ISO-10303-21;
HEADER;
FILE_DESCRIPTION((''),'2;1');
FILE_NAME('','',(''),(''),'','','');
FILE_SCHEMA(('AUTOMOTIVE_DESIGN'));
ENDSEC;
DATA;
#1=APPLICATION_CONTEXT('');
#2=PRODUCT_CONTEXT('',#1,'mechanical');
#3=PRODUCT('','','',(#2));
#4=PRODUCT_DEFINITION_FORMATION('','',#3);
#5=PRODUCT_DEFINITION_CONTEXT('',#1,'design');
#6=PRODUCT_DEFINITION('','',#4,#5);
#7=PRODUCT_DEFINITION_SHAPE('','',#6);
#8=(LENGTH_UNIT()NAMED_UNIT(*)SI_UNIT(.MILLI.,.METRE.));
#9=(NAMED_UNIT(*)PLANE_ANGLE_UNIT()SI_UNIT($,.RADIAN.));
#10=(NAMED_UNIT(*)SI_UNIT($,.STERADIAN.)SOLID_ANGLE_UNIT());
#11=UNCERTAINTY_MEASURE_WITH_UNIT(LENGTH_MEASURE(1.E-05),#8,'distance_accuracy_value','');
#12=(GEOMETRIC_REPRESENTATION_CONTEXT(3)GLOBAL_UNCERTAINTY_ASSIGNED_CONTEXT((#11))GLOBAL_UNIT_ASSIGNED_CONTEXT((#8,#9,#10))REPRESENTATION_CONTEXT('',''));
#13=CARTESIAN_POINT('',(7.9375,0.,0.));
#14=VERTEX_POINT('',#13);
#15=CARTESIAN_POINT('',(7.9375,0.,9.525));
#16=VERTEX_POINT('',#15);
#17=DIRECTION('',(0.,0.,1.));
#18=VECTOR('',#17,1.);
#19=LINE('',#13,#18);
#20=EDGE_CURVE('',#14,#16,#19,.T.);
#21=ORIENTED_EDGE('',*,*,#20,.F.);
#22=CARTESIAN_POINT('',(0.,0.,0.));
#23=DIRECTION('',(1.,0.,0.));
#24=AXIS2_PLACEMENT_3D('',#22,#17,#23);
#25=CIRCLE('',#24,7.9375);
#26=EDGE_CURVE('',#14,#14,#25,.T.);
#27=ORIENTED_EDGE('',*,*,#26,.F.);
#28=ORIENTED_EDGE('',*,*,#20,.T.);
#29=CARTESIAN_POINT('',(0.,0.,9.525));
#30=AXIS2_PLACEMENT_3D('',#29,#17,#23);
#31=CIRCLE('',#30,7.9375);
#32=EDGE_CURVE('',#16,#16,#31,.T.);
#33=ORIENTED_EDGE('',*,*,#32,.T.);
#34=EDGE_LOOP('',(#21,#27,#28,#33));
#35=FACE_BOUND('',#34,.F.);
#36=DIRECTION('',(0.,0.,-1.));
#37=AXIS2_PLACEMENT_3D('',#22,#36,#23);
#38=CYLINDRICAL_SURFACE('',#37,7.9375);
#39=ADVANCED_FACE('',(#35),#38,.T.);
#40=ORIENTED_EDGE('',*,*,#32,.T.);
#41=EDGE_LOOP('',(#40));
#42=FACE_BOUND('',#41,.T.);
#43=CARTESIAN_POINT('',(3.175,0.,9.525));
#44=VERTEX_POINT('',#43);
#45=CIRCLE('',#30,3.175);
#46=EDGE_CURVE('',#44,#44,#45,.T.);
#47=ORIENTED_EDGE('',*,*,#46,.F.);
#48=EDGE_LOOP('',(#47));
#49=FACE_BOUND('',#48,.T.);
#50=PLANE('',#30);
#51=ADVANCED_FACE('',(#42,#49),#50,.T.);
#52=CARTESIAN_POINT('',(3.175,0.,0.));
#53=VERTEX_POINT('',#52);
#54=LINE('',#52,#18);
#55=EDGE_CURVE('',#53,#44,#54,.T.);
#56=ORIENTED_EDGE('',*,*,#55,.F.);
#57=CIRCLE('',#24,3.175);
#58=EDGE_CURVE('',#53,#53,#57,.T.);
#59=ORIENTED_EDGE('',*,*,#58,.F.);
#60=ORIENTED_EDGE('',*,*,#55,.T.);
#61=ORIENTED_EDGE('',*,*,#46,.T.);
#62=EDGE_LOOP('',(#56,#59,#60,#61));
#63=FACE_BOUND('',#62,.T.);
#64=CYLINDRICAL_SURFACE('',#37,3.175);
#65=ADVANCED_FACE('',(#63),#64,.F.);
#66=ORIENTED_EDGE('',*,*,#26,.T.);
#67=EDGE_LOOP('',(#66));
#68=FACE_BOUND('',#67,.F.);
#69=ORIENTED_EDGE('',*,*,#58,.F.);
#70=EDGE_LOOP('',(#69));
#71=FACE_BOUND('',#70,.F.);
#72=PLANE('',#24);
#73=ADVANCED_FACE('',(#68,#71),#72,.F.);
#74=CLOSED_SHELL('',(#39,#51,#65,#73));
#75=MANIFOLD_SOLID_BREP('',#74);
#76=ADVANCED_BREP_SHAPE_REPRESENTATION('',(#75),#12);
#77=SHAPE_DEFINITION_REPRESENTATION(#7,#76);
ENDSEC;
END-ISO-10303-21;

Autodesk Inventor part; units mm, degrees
ref_plane "YZ Plane" through (0, 0, 0) normal (1, 0, 0) x (0, 1, 0)
ref_plane "XZ Plane" through (0, 0, 0) normal (0, 1, 0) x (-1, 0, 0)
ref_plane "XY Plane" through (0, 0, 0) normal (0, 0, 1) x (1, 0, 0)
sketch "Sketch1" plane through (0, 0, 0) normal (0, 0, 1) x (1, 0, 0)
  circle A0 centre (0, 0) radius 3.175
  circle A1 centre (0, 0) radius 7.9375
  dimension "d0" = 15.875
  dimension "d1" = 6.35
extrude "Extrusion1" add sketch "Sketch1" along normal blind 9.525
properties part number "DriveTrain_MotorMountSpacer" material "Aluminum-6061"
